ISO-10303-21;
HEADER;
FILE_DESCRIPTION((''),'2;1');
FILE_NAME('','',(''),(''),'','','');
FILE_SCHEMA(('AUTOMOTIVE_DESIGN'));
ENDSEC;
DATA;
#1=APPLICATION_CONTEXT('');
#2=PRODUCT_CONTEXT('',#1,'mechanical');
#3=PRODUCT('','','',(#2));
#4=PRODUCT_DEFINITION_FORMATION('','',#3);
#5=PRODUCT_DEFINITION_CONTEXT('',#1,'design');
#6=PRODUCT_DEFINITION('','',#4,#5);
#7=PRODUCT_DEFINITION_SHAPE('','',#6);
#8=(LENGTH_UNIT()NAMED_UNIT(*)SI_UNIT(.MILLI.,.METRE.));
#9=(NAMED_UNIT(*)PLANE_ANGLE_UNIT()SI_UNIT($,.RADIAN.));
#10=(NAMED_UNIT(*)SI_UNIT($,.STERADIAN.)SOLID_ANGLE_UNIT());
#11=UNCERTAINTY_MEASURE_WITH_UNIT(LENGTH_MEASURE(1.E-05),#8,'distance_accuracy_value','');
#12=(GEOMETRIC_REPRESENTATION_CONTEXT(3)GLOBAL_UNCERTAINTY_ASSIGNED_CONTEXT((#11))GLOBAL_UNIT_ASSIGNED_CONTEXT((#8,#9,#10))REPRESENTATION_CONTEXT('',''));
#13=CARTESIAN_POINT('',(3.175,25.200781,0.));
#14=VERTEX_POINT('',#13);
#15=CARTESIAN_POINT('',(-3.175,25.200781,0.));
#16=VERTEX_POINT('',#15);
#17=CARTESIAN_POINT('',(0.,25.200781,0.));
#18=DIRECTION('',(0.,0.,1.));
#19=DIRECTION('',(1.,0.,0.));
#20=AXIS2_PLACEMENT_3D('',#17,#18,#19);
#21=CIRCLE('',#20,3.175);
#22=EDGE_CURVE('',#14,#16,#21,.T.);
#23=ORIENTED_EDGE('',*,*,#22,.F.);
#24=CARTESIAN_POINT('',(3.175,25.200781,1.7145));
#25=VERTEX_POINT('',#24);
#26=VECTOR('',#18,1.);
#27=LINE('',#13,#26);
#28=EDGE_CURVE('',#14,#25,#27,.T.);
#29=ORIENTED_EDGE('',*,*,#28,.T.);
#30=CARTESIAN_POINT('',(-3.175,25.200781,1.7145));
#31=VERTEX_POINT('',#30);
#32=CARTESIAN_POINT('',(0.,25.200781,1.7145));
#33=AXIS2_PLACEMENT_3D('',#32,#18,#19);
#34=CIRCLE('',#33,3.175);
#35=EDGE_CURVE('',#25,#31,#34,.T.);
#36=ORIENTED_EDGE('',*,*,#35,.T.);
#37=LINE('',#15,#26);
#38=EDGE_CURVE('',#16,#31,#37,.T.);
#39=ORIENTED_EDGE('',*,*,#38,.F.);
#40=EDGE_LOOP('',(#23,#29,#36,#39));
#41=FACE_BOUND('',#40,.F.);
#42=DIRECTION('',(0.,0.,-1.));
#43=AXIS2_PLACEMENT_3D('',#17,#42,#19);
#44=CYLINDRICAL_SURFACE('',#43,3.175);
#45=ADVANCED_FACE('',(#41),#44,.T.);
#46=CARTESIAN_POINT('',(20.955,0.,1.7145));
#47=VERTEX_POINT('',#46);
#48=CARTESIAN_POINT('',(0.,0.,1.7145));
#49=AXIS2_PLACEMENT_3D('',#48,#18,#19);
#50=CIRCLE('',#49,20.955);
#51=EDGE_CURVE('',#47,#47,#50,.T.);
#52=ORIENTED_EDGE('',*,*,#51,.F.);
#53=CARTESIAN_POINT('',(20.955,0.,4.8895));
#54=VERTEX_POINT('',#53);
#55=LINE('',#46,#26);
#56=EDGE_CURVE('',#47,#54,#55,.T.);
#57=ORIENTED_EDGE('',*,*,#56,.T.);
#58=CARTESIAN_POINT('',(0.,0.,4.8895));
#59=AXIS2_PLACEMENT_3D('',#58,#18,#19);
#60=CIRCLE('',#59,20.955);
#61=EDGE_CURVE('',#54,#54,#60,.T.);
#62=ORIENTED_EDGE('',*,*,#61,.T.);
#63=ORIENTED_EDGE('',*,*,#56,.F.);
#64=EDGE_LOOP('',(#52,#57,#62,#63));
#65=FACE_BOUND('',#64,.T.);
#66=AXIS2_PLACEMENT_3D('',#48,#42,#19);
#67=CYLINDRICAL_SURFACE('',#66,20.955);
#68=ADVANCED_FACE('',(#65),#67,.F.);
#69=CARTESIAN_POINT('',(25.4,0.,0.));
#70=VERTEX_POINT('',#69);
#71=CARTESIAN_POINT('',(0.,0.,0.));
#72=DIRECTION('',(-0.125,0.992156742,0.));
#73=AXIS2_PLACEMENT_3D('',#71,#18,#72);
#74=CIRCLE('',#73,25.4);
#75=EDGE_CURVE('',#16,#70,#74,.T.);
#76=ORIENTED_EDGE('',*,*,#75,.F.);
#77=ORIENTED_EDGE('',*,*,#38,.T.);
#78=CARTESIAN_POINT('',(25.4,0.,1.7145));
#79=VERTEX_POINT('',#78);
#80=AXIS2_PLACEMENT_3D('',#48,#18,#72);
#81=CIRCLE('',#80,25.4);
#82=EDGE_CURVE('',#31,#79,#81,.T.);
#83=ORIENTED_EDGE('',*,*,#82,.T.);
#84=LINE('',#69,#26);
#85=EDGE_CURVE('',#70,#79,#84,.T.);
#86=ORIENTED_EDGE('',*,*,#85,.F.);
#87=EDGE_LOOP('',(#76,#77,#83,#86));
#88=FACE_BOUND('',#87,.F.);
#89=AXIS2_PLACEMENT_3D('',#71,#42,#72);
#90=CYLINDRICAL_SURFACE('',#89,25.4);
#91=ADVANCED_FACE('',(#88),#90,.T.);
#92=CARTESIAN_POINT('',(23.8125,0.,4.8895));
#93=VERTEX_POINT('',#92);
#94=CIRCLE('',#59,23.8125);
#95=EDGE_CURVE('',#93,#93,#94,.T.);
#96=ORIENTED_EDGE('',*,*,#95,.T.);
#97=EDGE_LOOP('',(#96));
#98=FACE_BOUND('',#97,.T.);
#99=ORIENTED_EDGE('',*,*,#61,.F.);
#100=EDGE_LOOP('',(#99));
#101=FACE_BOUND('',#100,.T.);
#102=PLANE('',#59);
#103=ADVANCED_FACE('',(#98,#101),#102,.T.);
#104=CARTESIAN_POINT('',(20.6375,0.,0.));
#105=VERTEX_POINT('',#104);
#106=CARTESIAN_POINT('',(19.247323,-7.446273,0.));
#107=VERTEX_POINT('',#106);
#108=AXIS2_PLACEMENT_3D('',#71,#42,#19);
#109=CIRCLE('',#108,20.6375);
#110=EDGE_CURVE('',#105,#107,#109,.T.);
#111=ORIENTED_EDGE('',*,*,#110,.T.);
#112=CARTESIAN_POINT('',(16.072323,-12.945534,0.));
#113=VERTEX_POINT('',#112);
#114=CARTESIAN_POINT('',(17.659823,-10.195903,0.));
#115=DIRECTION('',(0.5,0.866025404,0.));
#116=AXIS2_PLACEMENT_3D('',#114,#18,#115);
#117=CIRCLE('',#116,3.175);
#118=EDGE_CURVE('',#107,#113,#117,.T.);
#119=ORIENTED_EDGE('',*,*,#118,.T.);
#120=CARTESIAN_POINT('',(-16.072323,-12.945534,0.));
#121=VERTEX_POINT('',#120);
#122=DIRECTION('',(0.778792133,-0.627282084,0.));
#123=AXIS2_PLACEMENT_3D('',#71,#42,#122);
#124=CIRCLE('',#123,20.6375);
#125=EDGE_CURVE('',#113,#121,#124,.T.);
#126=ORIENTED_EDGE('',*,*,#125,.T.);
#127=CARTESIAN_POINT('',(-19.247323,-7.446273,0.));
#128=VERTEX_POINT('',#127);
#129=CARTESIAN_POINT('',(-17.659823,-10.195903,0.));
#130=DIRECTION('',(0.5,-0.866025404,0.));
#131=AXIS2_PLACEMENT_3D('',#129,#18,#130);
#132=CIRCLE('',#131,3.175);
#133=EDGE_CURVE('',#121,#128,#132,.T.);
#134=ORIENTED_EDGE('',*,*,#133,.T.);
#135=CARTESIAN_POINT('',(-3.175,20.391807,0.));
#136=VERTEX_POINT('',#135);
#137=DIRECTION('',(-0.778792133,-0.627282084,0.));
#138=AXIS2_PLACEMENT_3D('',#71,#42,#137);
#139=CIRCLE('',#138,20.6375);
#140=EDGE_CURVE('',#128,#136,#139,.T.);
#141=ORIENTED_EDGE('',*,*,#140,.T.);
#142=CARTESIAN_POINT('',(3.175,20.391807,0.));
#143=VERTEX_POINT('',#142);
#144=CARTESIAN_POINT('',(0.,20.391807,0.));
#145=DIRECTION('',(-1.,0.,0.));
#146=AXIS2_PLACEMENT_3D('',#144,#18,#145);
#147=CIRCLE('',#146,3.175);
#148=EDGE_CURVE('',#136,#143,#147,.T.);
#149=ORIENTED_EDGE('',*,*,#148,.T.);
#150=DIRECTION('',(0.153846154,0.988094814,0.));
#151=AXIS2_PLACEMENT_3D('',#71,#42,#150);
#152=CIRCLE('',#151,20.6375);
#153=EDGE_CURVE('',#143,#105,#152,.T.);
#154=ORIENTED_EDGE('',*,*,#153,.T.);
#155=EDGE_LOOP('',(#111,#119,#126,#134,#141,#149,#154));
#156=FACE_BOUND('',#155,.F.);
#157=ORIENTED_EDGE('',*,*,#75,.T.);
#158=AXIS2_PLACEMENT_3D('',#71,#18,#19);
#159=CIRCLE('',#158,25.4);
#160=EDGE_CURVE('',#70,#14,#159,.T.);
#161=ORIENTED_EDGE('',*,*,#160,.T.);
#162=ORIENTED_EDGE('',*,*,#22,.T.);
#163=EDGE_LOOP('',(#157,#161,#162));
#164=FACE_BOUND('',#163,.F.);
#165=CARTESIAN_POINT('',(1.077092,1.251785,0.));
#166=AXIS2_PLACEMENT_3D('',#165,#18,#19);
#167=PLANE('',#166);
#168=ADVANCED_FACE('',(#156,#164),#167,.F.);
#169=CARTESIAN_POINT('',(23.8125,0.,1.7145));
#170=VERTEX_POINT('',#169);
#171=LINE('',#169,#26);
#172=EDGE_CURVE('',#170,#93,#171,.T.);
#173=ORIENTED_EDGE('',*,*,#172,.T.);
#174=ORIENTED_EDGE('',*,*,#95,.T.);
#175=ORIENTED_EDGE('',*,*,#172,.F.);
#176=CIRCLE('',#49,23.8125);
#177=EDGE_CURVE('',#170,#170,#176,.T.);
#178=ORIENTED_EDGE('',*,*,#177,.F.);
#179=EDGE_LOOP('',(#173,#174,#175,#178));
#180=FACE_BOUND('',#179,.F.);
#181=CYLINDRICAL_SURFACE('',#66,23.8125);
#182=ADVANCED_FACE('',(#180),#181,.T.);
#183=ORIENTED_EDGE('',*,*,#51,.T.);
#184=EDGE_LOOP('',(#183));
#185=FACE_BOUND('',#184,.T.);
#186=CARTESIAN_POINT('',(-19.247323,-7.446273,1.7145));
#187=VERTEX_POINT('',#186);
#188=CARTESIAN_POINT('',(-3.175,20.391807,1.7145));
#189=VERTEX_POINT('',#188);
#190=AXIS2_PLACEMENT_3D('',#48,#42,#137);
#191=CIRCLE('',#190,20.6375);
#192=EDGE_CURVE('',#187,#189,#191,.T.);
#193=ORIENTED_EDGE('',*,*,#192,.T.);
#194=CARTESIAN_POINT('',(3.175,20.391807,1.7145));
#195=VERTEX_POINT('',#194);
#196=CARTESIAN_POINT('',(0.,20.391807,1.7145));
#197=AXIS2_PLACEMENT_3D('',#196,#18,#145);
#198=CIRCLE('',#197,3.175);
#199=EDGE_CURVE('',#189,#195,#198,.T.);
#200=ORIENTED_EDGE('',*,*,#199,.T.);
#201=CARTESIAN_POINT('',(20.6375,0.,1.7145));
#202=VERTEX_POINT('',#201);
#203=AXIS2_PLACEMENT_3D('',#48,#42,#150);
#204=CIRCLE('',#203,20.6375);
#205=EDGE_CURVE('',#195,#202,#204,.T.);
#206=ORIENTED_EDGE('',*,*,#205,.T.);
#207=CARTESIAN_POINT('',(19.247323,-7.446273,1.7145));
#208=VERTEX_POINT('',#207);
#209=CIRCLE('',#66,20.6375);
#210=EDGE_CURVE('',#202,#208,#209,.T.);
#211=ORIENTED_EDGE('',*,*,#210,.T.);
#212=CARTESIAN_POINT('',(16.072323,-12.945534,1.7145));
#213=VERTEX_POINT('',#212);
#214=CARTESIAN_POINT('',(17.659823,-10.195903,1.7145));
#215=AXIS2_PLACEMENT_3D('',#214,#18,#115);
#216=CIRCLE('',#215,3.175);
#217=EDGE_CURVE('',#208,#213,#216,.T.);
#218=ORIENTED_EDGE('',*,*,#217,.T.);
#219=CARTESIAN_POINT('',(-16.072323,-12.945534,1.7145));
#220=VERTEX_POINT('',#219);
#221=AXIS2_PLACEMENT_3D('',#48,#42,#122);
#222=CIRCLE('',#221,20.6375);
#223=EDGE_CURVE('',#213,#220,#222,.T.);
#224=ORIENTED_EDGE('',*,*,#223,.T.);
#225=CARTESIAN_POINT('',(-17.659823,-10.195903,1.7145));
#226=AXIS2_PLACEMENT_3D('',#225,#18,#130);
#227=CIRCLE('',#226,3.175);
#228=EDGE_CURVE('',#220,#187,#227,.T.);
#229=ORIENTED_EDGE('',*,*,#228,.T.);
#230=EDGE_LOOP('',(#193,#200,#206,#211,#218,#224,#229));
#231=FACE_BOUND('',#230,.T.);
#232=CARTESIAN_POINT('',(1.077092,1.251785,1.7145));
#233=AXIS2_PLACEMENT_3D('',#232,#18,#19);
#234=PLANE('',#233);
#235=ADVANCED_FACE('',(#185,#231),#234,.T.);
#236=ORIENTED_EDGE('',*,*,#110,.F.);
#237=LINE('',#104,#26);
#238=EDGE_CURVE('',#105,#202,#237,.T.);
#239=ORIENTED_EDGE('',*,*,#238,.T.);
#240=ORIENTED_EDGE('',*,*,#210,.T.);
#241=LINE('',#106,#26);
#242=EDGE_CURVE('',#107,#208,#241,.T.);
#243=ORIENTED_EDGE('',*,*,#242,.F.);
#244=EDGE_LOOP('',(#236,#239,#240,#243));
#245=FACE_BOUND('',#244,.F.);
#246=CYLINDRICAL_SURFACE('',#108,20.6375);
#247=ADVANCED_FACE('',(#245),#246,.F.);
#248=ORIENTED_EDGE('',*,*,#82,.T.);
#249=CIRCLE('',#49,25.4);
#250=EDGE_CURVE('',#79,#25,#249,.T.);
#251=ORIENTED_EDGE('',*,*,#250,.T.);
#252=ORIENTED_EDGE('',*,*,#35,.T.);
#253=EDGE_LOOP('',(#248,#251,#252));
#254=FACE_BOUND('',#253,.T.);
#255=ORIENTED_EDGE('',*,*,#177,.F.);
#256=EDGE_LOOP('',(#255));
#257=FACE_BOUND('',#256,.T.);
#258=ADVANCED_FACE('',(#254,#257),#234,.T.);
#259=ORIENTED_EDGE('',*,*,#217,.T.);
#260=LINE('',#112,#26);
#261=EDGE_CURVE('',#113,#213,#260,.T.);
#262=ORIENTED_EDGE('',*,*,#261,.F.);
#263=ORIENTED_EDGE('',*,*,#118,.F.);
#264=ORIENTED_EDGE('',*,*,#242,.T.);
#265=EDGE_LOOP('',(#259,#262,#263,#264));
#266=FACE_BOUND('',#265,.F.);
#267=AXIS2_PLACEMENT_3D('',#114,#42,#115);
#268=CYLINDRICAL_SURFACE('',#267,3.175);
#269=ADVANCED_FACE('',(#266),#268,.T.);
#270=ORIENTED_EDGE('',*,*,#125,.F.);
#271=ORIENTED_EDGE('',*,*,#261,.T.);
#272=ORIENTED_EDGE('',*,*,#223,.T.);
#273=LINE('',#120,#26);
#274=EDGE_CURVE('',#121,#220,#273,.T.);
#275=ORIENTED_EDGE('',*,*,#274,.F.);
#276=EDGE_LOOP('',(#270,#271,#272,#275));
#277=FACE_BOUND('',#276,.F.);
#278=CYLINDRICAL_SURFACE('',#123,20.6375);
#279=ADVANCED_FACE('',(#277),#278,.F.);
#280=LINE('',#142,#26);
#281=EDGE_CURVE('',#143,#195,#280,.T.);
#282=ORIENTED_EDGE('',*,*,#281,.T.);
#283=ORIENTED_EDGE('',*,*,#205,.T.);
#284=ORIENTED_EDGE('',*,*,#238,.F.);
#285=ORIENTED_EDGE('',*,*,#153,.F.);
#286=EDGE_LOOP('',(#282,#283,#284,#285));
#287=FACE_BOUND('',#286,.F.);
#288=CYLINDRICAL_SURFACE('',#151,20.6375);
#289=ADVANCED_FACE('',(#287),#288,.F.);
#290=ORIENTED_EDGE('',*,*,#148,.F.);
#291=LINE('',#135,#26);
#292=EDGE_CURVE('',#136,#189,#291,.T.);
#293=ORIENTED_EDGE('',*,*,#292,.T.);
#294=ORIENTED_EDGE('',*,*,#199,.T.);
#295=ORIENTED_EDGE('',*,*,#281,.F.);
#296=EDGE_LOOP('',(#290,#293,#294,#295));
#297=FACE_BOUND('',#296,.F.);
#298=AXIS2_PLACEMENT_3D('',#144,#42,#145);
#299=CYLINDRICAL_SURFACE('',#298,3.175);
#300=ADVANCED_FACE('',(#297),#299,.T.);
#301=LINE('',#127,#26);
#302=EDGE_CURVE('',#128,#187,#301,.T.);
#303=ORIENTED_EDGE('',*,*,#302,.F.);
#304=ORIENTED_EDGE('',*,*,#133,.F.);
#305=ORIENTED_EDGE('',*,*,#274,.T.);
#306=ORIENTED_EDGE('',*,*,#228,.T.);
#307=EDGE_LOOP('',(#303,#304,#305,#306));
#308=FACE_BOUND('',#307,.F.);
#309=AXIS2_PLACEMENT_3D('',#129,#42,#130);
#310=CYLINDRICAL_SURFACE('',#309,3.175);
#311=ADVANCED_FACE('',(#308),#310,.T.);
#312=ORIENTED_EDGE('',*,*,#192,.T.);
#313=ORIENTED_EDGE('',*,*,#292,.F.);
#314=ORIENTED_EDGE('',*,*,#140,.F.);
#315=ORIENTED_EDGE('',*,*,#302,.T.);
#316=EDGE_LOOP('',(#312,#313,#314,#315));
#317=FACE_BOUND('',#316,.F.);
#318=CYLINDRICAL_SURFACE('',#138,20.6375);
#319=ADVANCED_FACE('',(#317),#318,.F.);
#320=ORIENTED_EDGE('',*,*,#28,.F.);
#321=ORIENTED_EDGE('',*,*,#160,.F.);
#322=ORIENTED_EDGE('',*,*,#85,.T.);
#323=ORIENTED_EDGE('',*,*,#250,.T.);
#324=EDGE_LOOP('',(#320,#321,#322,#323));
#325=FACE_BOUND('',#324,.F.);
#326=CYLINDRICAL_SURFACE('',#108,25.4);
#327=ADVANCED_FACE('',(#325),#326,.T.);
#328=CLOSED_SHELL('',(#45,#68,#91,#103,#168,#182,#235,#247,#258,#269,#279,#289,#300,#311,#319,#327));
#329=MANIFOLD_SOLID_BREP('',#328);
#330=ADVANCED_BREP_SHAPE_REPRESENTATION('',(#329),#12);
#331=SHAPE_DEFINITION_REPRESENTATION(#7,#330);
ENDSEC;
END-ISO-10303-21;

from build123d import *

# Parameters (mm, degrees)
F1_DEPTH = 1.7145
F2_R     = 23.8125
F2_R_2   = 20.955
F3_DEPTH = 3.175


with BuildPart() as f1:
    # F0 (on Top) → F1 (new body)
    with BuildSketch(Plane.XY):
        with BuildLine():
            ThreePointArc((-3.175, 25.2007812379), (-16.8005208253, -19.05), (25.4, 0))
            ThreePointArc((25.4, 0), (19.05, 16.8005208253), (3.175, 25.2007812379))
            ThreePointArc((3.175, 25.2007812379), (0, 25.4), (-3.175, 25.2007812379))
        make_face()
        with BuildLine():
            ThreePointArc((3.175, 20.3918067186), (15.6753065161, 13.4235305294), (20.6375, 0))
            ThreePointArc((20.6375, 0), (20.2869789198, -3.7874651889), (19.2473226474, -7.4462727023))
            ThreePointArc((19.2473226474, -7.4462727023), (17.8725992706, -10.31875), (16.0723226474, -12.9455340163))
            ThreePointArc((16.0723226474, -12.9455340163), (0, -20.6375), (-16.0723226474, -12.9455340163))
            ThreePointArc((-16.0723226474, -12.9455340163), (-17.8725992706, -10.31875), (-19.2473226474, -7.4462727023))
            ThreePointArc((-19.2473226474, -7.4462727023), (-17.8725992706, 10.31875), (-3.175, 20.3918067186))
            ThreePointArc((-3.175, 20.3918067186), (0, 20.6375), (3.175, 20.3918067186))
        make_face(mode=Mode.SUBTRACT)
        with BuildLine():
            ThreePointArc((-3.175, 20.3918067186), (0, 17.2168067186), (3.175, 20.3918067186))
            ThreePointArc((3.175, 20.3918067186), (0, 20.6375), (-3.175, 20.3918067186))
        make_face()
        with BuildLine():
            ThreePointArc((-16.0723226474, -12.9455340163), (-14.9101919904, -8.6084033593), (-19.2473226474, -7.4462727023))
            ThreePointArc((-19.2473226474, -7.4462727023), (-17.8725992706, -10.31875), (-16.0723226474, -12.9455340163))
        make_face()
        with BuildLine():
            ThreePointArc((16.0723226474, -12.9455340163), (17.8725992706, -10.31875), (19.2473226474, -7.4462727023))
            ThreePointArc((19.2473226474, -7.4462727023), (14.9101919904, -8.6084033593), (16.0723226474, -12.9455340163))
        make_face()
        with BuildLine():
            ThreePointArc((-3.175, 25.2007812379), (0, 25.4), (3.175, 25.2007812379))
            ThreePointArc((3.175, 25.2007812379), (0, 28.3757812379), (-3.175, 25.2007812379))
        make_face()
    extrude(amount=F1_DEPTH)

    # F2 (on face) → F3 (join)
    with BuildSketch(Plane.XY.offset(1.7145)):
        Circle(F2_R)
        Circle(F2_R_2, mode=Mode.SUBTRACT)
    extrude(amount=F3_DEPTH)


solid = f1.part
